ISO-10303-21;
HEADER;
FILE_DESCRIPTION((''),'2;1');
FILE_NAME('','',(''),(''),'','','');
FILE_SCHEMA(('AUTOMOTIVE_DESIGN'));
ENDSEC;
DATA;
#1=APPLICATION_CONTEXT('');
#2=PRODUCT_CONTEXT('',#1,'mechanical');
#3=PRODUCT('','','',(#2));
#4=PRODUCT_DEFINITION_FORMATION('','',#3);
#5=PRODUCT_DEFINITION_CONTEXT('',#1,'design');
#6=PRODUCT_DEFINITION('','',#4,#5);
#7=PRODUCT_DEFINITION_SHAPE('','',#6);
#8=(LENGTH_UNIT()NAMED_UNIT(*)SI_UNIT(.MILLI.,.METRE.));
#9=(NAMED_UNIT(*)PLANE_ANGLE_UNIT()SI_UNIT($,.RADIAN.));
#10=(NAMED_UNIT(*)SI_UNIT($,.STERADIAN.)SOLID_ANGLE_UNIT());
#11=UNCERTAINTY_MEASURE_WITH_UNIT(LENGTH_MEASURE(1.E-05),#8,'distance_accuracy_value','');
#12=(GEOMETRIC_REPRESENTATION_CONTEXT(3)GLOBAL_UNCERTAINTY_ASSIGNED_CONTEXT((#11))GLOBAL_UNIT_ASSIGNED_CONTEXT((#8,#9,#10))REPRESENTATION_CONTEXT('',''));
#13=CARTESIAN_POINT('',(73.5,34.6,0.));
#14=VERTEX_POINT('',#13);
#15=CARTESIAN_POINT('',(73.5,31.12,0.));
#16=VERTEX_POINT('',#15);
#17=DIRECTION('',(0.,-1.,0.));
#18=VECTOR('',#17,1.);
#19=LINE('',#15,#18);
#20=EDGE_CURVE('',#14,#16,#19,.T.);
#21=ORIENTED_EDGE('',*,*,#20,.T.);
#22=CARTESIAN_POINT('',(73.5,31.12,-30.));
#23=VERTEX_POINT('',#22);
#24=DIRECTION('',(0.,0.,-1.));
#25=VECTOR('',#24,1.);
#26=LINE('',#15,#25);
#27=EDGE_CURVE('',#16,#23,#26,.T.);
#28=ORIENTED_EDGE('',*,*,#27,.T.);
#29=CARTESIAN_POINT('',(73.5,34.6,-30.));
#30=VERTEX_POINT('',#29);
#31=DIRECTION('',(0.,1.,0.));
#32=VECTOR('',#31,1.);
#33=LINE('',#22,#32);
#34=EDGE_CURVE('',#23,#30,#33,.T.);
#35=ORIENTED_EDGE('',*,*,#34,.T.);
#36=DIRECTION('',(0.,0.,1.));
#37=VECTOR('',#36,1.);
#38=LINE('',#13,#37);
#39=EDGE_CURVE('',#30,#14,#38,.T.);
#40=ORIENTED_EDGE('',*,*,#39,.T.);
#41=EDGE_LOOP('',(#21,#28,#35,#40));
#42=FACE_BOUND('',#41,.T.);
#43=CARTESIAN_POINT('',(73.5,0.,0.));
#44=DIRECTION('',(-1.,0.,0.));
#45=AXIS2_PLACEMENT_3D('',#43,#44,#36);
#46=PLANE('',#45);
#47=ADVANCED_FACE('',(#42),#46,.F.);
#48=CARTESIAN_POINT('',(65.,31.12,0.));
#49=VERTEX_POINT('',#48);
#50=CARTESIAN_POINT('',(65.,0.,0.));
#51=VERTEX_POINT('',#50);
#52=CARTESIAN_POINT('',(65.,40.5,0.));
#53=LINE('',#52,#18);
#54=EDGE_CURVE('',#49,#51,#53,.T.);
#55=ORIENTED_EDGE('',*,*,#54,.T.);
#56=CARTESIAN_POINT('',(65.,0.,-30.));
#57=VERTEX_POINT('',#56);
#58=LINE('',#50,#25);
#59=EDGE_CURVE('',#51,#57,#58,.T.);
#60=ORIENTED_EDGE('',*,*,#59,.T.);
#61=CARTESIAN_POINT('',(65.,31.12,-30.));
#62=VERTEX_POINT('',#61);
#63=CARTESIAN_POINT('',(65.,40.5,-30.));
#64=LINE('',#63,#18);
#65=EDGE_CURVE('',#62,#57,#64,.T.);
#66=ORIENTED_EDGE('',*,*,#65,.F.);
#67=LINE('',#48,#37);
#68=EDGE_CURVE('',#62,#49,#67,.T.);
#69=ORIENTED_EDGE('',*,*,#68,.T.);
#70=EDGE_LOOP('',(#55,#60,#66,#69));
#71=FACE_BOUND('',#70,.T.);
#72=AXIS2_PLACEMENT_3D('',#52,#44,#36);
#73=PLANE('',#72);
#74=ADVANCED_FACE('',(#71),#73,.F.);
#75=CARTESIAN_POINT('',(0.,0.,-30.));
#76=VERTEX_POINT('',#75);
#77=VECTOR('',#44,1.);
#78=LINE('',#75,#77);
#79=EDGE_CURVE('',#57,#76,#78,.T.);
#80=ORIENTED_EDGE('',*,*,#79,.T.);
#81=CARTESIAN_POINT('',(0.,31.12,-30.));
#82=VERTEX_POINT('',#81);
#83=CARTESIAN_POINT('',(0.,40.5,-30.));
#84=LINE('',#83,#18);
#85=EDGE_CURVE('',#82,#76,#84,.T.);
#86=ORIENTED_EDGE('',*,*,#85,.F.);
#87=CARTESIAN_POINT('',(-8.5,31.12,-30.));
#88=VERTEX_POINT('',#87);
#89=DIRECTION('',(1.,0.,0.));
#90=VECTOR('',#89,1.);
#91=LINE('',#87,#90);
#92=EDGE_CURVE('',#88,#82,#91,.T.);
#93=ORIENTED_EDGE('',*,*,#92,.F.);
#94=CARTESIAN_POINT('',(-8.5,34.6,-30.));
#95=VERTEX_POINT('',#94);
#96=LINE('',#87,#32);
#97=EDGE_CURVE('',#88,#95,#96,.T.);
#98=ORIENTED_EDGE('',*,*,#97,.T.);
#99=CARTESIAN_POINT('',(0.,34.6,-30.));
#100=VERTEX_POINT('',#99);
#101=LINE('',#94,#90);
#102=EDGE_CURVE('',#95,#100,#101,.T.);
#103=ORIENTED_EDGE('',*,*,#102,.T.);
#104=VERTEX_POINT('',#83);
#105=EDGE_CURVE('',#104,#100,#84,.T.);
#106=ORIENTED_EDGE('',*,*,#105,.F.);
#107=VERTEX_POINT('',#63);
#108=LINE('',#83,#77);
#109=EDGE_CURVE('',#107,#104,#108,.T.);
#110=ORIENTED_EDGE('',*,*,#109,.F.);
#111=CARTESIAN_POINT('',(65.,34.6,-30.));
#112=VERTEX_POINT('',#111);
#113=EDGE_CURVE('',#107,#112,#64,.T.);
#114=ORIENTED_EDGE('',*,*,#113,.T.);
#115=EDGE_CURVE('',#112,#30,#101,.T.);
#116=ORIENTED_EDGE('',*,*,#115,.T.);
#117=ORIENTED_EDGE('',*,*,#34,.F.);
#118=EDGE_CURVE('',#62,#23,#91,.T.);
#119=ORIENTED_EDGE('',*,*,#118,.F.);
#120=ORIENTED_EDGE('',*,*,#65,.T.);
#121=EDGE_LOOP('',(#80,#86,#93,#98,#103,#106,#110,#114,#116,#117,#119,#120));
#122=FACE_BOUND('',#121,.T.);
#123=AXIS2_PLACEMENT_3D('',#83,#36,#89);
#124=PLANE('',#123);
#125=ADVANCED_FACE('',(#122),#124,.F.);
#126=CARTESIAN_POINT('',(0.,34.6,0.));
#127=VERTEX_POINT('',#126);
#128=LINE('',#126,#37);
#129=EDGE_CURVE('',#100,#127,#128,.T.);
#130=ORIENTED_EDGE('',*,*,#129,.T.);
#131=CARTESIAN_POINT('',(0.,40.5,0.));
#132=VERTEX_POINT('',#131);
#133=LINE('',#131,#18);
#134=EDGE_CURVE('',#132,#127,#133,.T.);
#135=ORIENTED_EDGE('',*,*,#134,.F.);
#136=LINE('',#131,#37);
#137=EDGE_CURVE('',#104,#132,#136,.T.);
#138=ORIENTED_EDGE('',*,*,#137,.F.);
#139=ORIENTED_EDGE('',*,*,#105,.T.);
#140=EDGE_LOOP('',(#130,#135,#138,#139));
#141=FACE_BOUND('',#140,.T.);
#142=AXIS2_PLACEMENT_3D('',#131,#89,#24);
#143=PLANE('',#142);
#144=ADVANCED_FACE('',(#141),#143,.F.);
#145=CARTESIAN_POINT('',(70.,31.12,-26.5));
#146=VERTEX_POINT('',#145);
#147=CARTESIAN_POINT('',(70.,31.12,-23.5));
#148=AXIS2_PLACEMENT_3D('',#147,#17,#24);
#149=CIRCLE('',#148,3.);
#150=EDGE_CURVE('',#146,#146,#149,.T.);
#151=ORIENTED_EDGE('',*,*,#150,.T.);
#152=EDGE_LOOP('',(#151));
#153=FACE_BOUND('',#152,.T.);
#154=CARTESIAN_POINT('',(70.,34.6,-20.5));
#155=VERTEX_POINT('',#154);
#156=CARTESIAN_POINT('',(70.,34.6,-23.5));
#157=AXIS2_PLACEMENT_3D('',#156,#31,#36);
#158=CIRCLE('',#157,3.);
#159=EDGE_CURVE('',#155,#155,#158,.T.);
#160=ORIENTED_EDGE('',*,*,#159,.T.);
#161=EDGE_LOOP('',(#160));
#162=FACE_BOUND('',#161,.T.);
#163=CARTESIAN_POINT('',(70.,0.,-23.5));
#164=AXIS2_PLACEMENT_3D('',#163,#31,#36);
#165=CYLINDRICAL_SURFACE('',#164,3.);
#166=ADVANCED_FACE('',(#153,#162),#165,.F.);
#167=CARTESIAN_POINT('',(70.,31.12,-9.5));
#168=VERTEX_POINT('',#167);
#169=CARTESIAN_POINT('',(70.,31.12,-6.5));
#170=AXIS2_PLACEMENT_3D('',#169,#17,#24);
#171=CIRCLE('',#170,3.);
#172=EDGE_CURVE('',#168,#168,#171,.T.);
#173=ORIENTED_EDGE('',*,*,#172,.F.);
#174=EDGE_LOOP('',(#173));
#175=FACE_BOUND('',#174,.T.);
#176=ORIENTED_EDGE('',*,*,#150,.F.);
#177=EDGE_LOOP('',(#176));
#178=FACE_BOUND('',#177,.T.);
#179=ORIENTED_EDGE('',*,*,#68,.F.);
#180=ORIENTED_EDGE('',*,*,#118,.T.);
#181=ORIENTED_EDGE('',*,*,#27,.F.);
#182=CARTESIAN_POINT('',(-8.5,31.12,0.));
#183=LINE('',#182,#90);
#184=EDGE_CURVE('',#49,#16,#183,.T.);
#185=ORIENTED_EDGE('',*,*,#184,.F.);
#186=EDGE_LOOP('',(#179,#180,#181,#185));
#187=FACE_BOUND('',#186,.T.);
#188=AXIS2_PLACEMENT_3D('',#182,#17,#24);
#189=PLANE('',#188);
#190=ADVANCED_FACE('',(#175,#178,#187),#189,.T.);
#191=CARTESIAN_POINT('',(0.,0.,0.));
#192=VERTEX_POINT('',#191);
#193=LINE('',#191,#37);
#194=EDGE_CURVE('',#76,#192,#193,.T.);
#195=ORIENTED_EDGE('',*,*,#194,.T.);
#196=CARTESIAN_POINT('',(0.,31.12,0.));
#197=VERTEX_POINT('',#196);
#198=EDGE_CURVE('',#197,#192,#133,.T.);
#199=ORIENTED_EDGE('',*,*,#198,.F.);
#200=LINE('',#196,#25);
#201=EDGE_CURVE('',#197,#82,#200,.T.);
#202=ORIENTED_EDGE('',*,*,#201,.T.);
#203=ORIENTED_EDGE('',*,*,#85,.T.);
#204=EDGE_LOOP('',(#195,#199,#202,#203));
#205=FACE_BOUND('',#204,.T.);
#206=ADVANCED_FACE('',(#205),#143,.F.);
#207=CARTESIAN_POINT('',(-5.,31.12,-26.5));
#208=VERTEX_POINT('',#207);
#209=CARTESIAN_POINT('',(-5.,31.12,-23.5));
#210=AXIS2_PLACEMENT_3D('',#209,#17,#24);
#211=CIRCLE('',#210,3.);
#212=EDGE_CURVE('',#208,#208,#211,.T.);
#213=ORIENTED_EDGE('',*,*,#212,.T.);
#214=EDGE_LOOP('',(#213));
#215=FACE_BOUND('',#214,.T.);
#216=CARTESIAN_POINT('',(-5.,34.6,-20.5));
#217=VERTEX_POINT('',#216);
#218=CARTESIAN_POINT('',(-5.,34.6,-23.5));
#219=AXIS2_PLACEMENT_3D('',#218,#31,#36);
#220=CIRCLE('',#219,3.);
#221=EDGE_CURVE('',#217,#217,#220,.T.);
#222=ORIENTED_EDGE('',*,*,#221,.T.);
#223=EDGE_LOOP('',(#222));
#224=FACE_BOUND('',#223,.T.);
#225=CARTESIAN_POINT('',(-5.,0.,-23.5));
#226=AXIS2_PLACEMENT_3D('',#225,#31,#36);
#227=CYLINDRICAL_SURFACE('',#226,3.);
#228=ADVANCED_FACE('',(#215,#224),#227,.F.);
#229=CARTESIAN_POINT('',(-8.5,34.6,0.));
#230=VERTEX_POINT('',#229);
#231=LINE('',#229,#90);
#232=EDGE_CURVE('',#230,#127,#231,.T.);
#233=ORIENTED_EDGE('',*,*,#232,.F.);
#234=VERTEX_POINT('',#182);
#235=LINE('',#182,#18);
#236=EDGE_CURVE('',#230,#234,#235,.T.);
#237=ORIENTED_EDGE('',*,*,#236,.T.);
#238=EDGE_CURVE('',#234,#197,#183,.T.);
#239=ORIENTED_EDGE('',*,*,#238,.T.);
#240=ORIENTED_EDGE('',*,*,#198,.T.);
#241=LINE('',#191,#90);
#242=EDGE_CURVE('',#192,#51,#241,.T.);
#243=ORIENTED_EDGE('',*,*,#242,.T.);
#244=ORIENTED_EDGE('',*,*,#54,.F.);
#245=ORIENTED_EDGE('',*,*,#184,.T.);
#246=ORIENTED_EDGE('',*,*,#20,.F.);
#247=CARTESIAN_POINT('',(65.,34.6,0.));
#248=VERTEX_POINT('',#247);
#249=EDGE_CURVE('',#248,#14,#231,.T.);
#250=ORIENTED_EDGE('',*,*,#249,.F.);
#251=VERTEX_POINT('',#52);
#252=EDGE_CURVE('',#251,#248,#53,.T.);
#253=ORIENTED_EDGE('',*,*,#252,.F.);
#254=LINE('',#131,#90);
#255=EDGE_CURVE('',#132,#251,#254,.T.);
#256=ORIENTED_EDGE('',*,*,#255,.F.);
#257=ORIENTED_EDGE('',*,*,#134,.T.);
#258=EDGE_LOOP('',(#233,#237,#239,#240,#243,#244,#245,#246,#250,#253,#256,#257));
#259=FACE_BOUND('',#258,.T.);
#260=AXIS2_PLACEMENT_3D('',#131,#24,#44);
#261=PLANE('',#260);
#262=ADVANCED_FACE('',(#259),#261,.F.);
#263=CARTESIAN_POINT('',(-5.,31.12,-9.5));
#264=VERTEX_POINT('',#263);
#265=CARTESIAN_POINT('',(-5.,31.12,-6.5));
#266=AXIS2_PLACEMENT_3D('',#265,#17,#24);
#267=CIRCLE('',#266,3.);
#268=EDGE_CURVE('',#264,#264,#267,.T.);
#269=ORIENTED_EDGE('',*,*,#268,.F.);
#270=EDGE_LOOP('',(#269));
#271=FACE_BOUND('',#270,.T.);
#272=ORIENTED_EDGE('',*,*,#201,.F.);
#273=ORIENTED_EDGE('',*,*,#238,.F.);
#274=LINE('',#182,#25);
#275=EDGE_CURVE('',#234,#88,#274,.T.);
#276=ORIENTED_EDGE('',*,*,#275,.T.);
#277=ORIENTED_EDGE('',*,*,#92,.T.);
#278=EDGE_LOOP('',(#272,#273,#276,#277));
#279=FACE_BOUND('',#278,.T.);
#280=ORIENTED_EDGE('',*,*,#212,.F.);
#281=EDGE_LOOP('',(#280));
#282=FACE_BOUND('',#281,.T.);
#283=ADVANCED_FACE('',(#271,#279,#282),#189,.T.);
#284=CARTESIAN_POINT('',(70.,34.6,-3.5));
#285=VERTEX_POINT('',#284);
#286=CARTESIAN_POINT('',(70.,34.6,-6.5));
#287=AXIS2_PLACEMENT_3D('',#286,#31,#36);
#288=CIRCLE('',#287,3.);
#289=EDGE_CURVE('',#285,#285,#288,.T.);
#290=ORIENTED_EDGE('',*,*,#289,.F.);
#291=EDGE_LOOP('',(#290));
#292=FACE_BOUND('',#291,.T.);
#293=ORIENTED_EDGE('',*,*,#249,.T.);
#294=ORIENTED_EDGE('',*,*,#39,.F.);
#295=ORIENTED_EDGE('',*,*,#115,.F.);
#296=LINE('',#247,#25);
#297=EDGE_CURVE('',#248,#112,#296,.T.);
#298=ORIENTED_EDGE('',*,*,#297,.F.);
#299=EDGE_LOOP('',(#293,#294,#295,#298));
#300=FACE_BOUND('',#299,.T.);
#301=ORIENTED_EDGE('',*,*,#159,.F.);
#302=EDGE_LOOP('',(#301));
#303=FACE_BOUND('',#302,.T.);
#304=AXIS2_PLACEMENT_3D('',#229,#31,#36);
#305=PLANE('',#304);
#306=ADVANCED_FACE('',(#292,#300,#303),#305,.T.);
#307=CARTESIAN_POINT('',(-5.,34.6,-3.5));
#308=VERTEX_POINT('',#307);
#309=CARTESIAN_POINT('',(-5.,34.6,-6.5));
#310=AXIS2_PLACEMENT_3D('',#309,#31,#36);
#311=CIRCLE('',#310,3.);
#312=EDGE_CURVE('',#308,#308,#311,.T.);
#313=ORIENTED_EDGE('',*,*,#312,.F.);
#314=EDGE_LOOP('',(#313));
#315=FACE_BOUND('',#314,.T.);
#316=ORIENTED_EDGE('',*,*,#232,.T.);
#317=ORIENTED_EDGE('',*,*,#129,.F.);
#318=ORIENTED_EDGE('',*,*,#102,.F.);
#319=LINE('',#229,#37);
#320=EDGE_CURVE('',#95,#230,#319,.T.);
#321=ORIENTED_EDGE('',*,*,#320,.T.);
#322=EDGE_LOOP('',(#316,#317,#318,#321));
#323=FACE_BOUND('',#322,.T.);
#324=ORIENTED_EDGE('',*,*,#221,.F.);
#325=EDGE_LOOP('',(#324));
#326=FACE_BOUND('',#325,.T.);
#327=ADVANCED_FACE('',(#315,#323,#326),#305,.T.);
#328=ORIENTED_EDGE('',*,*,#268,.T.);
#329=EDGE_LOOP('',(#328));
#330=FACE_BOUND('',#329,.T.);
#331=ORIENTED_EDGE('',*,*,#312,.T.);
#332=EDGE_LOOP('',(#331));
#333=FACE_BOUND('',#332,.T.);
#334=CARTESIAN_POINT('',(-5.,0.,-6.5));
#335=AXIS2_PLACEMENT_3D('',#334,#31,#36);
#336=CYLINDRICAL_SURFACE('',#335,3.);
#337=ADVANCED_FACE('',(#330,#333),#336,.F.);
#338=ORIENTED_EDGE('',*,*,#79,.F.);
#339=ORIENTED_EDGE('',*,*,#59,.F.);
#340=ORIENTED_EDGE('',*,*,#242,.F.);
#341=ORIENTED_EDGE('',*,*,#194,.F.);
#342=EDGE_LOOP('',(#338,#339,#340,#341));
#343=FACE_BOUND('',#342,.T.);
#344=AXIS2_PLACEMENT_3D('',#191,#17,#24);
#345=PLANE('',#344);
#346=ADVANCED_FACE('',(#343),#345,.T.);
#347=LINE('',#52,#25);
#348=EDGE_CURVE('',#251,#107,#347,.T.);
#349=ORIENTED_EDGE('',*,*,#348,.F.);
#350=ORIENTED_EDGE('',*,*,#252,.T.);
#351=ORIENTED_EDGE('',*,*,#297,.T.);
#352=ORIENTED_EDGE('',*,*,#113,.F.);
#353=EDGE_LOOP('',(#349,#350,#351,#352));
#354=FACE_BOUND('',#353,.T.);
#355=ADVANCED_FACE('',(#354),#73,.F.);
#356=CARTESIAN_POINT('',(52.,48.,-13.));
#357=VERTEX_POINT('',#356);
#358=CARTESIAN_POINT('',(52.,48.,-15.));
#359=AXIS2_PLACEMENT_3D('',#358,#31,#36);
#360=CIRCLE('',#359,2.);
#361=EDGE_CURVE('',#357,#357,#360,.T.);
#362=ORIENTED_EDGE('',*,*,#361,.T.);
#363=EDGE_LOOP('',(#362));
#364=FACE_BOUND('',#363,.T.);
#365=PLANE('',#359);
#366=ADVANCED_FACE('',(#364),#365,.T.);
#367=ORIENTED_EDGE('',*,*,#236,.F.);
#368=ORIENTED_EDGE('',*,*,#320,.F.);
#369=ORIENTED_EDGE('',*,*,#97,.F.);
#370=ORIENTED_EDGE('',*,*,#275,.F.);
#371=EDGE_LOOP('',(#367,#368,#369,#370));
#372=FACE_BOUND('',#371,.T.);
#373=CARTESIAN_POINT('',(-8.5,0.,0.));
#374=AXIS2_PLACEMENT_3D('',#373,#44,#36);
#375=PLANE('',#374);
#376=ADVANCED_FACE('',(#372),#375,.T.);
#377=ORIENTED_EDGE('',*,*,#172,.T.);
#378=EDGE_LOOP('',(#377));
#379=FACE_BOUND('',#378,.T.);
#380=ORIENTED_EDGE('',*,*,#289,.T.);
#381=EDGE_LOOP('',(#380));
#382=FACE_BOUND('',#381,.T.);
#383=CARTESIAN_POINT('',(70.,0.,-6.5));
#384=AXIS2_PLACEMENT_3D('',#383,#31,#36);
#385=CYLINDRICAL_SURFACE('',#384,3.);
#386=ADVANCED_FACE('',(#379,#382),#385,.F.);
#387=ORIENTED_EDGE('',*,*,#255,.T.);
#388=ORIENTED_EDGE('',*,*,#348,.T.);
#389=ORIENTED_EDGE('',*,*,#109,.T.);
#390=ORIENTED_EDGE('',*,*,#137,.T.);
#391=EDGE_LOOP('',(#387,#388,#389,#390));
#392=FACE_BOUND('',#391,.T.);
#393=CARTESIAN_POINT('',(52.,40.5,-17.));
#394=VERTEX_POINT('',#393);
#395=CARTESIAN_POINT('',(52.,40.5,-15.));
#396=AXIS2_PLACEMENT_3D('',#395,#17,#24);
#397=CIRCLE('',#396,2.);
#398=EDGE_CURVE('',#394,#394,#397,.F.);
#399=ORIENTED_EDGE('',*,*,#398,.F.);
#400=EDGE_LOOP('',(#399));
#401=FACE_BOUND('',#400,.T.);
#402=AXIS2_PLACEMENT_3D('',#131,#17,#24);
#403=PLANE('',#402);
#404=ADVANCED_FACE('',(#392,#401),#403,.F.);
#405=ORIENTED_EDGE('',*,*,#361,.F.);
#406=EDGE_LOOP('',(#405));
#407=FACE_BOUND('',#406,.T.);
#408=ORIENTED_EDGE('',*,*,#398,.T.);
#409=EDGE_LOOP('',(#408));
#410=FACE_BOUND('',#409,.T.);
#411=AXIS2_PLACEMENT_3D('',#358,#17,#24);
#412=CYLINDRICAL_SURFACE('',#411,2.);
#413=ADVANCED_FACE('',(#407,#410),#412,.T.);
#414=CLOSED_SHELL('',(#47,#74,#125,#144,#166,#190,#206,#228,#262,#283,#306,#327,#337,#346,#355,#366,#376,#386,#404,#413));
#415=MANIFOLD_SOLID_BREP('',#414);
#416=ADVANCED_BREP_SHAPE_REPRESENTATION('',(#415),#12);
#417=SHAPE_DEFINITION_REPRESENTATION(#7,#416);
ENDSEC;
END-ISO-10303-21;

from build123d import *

# Parameters (mm, degrees)
SKETCH1_W                = 65
SKETCH1_H                = 30
BOSS_EXTRUDE1_DEPTH      = 40.5
BOSS_EXTRUDE2_DEPTH      = 8.5
BOSS_EXTRUDE2_DEPTH_BACK = 73.5
SKETCH2_W                = 30
SKETCH2_H                = 3.48
SKETCH3_R                = 3
CUT_EXTRUDE1_DEPTH       = 87.599133945
SKETCH4_R                = 2
BOSS_EXTRUDE3_DEPTH      = 7.5


with BuildPart() as part:
    # Sketch1 → Boss-Extrude1 (new body)
    with BuildSketch(Plane(origin=(0, 0, 0), x_dir=(1, 0, 0), z_dir=(0, 1, 0))):
        with Locations((32.5, 15)):
            Rectangle(SKETCH1_W, SKETCH1_H)
    extrude(amount=BOSS_EXTRUDE1_DEPTH)

    # Sketch2 → Boss-Extrude2 (add, two sides: drawn at the far end of the back side and taken through both)
    with BuildSketch(Plane(origin=(65, 0, 0), x_dir=(0, 0, -1), z_dir=(1, 0, 0)).offset(-BOSS_EXTRUDE2_DEPTH_BACK)):
        with Locations((15, 32.86)):
            Rectangle(SKETCH2_W, SKETCH2_H)
    extrude(amount=BOSS_EXTRUDE2_DEPTH + BOSS_EXTRUDE2_DEPTH_BACK)

    # Sketch3 → Cut-Extrude1 (cut, through all)
    with BuildSketch(Plane(origin=(0, 34.6, 0), x_dir=(1, 0, 0), z_dir=(0, 1, 0))):
        with Locations(Location((70, 23.5, 0), (0, 0, 270))):
            Circle(SKETCH3_R)
        with Locations(Location((70, 6.5, 0), (0, 0, 270))):
            Circle(SKETCH3_R)
        with Locations(Location((-5, 23.5, 0), (0, 0, 270))):
            Circle(SKETCH3_R)
        with Locations(Location((-5, 6.5, 0), (0, 0, 270))):
            Circle(SKETCH3_R)
    extrude(amount=-CUT_EXTRUDE1_DEPTH, mode=Mode.SUBTRACT)

    # Sketch4 → Boss-Extrude3 (add)
    with BuildSketch(Plane(origin=(0, 40.5, 0), x_dir=(1, 0, 0), z_dir=(0, 1, 0))):
        with Locations(Location((52, 15, 0), (0, 0, 90))):
            Circle(SKETCH4_R)
    extrude(amount=BOSS_EXTRUDE3_DEPTH)


solid = part.part
